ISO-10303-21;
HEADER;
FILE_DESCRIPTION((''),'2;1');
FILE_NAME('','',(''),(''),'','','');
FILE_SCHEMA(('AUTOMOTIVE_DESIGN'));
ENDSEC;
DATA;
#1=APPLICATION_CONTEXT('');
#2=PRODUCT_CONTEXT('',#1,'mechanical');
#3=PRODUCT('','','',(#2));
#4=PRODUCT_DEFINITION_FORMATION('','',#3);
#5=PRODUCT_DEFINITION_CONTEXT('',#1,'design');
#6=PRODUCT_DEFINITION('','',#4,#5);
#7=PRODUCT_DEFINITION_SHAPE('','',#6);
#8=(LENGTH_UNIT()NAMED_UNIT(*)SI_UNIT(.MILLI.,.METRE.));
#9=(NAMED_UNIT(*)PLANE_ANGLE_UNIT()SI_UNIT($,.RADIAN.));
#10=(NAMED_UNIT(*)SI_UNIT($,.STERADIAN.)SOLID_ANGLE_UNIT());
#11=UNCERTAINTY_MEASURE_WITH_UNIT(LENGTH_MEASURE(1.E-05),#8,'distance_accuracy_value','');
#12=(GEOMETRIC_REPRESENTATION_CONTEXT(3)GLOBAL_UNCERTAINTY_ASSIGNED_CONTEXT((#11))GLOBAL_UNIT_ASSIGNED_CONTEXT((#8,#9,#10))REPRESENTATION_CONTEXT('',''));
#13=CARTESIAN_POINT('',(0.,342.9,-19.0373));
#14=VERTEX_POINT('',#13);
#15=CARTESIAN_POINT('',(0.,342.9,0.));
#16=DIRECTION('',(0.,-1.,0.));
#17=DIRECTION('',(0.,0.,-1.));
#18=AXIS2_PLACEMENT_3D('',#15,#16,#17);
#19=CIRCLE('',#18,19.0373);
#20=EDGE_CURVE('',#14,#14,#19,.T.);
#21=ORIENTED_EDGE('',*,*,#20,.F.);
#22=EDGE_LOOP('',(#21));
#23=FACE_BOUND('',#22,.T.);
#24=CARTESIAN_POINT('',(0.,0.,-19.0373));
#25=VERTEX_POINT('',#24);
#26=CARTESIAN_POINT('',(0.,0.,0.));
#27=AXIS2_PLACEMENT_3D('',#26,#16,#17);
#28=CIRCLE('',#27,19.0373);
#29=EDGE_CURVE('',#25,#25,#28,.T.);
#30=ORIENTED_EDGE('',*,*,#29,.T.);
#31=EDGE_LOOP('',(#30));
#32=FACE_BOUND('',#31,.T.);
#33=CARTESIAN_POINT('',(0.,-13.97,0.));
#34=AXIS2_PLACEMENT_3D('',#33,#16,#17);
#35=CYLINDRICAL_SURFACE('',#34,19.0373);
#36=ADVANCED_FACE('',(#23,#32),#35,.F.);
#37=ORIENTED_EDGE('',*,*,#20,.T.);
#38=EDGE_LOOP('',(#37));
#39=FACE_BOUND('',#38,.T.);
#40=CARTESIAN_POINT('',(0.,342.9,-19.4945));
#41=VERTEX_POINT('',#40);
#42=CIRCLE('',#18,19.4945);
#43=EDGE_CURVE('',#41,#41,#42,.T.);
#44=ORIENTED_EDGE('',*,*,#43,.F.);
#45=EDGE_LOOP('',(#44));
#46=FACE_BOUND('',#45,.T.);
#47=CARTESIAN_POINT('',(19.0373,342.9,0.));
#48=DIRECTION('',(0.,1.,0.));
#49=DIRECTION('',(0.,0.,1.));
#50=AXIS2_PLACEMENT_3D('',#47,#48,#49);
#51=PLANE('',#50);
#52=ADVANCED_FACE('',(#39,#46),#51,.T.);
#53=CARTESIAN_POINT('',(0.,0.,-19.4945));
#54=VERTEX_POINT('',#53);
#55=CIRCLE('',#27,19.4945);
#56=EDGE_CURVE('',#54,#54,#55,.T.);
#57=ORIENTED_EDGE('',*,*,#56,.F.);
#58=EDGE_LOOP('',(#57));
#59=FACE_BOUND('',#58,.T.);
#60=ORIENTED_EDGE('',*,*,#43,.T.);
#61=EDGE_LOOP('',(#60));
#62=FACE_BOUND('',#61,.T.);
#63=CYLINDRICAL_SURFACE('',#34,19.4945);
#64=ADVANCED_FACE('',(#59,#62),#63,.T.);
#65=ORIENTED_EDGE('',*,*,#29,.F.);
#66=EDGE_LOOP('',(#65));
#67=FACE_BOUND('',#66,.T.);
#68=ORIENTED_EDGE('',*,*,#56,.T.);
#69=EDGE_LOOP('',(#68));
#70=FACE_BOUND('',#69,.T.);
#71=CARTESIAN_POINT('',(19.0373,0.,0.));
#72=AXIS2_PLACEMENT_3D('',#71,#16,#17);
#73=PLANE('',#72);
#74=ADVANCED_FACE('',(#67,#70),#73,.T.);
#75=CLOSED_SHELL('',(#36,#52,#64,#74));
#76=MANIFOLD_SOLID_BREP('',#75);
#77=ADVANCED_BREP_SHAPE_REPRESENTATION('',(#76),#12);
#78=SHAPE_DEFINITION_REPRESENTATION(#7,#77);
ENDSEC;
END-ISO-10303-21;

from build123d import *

# Parameters (mm, degrees)
SKETCH1_W = 0.4572
SKETCH1_H = 342.9


with BuildPart() as part:
    # Sketch1 → Revolve1 (revolve)
    with BuildSketch(Plane.XY):
        with Locations((19.2659, 171.45)):
            Rectangle(SKETCH1_W, SKETCH1_H)
    revolve(axis=Axis((0, -13.97, 0), (0, 1, 0)))


solid = part.part
